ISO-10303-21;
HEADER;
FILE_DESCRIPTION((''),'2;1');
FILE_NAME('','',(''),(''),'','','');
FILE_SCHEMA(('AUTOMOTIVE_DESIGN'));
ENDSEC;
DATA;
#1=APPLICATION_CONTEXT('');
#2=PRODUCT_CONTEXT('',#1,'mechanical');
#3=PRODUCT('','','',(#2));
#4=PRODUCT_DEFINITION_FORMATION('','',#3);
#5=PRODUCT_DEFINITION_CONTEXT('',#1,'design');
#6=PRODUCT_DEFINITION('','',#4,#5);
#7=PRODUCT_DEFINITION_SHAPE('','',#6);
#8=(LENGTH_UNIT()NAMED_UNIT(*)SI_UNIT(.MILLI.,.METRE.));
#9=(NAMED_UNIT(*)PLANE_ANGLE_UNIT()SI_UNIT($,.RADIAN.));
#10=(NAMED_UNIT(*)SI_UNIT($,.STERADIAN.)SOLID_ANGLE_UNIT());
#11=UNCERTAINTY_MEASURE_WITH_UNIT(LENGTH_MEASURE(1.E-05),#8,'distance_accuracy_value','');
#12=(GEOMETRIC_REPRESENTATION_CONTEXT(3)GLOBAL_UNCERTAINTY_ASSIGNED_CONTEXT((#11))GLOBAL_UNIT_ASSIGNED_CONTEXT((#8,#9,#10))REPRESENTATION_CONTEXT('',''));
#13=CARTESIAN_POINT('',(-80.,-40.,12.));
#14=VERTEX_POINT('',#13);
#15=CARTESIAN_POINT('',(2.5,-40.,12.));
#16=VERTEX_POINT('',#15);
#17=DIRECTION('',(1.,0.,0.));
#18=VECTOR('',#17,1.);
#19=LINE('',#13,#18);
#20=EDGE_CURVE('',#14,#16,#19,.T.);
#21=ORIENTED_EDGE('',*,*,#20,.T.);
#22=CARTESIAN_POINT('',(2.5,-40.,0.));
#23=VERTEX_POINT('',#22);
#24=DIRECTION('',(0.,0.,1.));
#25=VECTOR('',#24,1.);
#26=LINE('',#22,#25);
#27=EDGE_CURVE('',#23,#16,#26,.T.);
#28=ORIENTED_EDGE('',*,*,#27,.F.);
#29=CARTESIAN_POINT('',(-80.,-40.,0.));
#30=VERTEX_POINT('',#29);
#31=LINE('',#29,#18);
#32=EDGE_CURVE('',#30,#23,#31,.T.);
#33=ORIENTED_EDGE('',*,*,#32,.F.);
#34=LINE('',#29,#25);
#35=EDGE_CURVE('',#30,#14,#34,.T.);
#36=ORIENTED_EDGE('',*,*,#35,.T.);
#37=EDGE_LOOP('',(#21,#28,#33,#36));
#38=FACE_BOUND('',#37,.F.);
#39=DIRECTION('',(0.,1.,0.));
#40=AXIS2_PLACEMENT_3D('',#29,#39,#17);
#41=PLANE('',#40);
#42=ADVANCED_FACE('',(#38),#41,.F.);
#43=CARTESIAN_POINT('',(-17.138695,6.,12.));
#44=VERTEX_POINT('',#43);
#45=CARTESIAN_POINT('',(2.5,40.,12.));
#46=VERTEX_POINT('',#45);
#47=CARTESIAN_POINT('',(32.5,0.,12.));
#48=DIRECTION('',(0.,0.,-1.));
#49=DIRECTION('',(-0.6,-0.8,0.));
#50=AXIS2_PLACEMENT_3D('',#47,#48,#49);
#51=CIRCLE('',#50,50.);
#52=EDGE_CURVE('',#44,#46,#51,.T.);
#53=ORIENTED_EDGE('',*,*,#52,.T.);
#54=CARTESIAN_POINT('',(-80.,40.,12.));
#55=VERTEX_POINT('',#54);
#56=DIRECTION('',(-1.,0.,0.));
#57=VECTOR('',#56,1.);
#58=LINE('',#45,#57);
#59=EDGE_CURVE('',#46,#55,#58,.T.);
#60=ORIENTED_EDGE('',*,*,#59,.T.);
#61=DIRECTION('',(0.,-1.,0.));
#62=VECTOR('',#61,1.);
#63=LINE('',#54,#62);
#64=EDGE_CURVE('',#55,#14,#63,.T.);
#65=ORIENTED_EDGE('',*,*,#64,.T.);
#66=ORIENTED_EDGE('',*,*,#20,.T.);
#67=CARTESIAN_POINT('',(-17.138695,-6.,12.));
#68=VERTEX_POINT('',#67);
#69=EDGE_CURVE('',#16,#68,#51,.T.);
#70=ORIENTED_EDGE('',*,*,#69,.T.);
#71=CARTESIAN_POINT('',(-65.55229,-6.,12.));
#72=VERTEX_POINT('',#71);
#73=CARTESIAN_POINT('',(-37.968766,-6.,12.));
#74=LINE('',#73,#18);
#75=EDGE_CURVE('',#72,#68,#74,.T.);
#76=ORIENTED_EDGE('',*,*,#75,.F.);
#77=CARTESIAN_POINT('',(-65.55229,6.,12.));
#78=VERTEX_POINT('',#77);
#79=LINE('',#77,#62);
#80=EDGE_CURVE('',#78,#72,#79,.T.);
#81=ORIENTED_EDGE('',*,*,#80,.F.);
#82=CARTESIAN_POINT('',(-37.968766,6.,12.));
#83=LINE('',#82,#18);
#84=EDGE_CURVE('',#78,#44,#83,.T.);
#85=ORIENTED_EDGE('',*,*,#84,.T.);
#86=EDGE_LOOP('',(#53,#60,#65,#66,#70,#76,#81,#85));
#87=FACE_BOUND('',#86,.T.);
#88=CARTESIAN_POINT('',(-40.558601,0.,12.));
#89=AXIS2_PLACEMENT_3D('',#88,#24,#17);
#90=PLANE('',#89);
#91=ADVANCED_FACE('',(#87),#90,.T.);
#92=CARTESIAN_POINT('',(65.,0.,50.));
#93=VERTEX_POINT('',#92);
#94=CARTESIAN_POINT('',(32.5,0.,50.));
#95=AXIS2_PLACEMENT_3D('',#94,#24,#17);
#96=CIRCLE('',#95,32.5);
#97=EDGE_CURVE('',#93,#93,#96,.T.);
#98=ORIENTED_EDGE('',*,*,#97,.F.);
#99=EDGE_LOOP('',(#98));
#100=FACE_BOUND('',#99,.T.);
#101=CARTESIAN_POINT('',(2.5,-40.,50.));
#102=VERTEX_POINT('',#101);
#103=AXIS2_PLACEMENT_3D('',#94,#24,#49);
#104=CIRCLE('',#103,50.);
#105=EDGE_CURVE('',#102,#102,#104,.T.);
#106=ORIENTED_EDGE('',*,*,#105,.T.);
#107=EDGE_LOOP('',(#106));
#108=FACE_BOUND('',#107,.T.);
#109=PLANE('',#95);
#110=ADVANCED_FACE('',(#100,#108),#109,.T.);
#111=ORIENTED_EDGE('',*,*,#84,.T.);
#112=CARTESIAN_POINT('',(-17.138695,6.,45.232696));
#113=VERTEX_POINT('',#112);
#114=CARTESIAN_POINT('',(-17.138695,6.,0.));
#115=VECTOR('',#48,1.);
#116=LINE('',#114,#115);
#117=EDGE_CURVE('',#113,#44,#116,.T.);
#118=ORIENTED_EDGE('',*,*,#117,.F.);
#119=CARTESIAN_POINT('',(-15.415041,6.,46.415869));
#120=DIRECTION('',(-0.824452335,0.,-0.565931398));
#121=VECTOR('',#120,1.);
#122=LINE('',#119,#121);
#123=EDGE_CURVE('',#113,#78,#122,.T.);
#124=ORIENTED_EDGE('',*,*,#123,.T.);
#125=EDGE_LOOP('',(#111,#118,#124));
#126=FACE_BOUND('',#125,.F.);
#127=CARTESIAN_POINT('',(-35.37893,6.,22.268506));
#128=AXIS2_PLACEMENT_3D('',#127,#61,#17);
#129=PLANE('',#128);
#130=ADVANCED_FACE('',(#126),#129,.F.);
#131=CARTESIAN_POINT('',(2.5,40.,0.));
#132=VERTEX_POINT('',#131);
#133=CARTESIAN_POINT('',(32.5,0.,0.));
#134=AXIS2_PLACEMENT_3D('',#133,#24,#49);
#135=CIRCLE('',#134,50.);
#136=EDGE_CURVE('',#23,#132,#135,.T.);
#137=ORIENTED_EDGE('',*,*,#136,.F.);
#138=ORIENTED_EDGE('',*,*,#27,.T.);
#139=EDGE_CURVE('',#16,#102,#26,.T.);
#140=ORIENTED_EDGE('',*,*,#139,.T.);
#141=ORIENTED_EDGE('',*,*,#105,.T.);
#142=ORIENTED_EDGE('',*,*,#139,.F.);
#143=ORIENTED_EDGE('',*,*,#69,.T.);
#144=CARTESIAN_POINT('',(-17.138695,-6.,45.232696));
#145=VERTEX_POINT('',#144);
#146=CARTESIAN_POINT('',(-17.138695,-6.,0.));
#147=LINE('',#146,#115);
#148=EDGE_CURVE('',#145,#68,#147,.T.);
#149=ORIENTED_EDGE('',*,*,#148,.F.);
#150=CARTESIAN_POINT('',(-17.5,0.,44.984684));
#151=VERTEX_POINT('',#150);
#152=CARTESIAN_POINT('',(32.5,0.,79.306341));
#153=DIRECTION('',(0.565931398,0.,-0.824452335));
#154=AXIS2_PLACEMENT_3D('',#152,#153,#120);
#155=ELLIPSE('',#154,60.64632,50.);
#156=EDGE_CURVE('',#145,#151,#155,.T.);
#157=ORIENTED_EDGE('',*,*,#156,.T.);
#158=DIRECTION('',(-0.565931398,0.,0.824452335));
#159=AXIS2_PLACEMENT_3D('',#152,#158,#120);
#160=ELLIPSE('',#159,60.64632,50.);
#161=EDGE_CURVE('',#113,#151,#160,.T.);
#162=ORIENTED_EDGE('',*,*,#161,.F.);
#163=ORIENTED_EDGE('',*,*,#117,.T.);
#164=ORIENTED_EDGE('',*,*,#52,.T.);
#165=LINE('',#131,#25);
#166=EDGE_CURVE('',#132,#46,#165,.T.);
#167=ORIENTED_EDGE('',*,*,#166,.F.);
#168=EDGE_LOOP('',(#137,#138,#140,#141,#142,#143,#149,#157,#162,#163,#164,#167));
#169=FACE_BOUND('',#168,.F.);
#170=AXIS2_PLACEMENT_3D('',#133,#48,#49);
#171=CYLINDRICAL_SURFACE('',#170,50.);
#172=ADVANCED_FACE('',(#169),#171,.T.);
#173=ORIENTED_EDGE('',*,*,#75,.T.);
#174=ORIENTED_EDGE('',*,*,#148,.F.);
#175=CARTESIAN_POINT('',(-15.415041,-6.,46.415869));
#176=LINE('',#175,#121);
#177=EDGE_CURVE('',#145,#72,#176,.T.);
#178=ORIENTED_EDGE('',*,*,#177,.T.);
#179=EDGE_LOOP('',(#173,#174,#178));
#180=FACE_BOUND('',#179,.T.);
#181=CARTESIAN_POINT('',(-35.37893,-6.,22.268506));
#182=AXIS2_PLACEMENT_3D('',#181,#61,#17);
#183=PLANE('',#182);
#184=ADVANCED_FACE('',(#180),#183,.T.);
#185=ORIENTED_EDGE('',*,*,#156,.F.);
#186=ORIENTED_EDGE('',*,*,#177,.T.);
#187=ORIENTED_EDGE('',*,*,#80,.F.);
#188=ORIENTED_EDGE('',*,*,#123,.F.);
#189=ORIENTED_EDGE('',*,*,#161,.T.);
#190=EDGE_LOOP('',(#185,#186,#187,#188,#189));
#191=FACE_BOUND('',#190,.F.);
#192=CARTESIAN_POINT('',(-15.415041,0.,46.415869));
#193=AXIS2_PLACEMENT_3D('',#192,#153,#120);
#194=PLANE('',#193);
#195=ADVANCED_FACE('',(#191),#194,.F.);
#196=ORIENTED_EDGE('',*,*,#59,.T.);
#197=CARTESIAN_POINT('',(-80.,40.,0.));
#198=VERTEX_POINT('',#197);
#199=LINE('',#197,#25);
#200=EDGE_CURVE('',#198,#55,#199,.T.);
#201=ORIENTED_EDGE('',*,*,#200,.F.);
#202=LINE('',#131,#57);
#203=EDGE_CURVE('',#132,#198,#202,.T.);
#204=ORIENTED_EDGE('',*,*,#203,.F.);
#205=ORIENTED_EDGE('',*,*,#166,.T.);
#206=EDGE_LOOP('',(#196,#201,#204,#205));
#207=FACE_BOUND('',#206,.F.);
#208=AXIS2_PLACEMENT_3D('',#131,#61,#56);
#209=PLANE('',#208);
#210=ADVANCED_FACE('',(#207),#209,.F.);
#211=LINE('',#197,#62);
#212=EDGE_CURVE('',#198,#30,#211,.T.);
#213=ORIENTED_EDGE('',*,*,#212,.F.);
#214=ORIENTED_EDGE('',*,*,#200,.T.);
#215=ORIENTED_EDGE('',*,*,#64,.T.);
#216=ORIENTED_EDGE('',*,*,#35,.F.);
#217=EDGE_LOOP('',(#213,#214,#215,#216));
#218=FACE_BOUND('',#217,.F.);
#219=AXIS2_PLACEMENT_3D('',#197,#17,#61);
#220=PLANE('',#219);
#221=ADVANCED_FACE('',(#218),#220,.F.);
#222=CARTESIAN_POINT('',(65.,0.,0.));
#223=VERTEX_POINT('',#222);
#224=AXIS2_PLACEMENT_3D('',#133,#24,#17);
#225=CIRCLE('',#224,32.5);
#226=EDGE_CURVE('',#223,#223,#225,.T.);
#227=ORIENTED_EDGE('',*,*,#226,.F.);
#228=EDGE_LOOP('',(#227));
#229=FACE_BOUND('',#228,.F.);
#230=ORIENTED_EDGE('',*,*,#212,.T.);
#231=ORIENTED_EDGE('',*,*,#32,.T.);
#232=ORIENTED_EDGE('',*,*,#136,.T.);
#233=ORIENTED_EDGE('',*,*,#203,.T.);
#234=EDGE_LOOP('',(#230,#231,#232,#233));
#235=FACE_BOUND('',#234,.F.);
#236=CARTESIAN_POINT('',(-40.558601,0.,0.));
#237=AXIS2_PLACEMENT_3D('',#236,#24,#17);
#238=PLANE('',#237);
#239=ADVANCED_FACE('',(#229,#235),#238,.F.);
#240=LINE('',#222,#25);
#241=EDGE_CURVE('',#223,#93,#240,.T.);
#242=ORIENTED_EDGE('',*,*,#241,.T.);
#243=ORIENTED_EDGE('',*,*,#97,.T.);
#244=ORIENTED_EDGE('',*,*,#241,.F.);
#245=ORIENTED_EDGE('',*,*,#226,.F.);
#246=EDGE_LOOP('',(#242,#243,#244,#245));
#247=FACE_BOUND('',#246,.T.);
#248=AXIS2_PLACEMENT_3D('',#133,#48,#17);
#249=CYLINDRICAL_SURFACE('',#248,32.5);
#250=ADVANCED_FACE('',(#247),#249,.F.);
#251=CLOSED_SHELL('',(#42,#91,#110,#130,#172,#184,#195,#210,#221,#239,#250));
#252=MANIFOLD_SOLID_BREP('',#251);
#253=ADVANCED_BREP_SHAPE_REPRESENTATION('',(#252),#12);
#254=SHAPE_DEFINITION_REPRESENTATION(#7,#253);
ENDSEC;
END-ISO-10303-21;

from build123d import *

# Parameters (mm, degrees)
F0_R          = 32.5
F1_DEPTH      = 50
F2_DEPTH      = 12
F4_DEPTH      = 6
F4_DEPTH_BACK = 6


with BuildPart() as f1:
    # F0 (on Top) → F1 (new body)
    with BuildSketch(Plane.XY):
        with BuildLine():
            ThreePointArc((82.5, 0), (54.860679775, 44.72135955), (2.5, 40))
            ThreePointArc((2.5, 40), (-17.5, 0), (2.5, -40))
            ThreePointArc((2.5, -40), (54.860679775, -44.72135955), (82.5, 0))
        make_face()
        with Locations((32.5, 0)):
            Circle(F0_R, mode=Mode.SUBTRACT)
    extrude(amount=F1_DEPTH)

    # F0 (on Top) → F2 (join)
    with BuildSketch(Plane.XY):
        with BuildLine():
            Line((2.5, 40), (-80, 40))
            Line((-80, 40), (-80, -40))
            Line((-80, -40), (2.5, -40))
            ThreePointArc((2.5, -40), (-17.5, 0), (2.5, 40))
        make_face()
        with BuildLine():
            ThreePointArc((82.5, 0), (54.860679775, 44.72135955), (2.5, 40))
            ThreePointArc((2.5, 40), (-17.5, 0), (2.5, -40))
            ThreePointArc((2.5, -40), (54.860679775, -44.72135955), (82.5, 0))
        make_face()
        with Locations((32.5, 0)):
            Circle(F0_R, mode=Mode.SUBTRACT)
    extrude(amount=F2_DEPTH)

    # F3 (on Front) → F4 (join, two sides)
    with BuildSketch(Plane.XZ) as f4_sk:
        Polygon((-15.4150407761, 46.4158691466), (-67.7281171784, 10.5064402626), (-15.4150407761, 10.5064402626), align=None)
    extrude(amount=-F4_DEPTH)
    extrude(f4_sk.sketch, amount=F4_DEPTH_BACK)


solid = f1.part
